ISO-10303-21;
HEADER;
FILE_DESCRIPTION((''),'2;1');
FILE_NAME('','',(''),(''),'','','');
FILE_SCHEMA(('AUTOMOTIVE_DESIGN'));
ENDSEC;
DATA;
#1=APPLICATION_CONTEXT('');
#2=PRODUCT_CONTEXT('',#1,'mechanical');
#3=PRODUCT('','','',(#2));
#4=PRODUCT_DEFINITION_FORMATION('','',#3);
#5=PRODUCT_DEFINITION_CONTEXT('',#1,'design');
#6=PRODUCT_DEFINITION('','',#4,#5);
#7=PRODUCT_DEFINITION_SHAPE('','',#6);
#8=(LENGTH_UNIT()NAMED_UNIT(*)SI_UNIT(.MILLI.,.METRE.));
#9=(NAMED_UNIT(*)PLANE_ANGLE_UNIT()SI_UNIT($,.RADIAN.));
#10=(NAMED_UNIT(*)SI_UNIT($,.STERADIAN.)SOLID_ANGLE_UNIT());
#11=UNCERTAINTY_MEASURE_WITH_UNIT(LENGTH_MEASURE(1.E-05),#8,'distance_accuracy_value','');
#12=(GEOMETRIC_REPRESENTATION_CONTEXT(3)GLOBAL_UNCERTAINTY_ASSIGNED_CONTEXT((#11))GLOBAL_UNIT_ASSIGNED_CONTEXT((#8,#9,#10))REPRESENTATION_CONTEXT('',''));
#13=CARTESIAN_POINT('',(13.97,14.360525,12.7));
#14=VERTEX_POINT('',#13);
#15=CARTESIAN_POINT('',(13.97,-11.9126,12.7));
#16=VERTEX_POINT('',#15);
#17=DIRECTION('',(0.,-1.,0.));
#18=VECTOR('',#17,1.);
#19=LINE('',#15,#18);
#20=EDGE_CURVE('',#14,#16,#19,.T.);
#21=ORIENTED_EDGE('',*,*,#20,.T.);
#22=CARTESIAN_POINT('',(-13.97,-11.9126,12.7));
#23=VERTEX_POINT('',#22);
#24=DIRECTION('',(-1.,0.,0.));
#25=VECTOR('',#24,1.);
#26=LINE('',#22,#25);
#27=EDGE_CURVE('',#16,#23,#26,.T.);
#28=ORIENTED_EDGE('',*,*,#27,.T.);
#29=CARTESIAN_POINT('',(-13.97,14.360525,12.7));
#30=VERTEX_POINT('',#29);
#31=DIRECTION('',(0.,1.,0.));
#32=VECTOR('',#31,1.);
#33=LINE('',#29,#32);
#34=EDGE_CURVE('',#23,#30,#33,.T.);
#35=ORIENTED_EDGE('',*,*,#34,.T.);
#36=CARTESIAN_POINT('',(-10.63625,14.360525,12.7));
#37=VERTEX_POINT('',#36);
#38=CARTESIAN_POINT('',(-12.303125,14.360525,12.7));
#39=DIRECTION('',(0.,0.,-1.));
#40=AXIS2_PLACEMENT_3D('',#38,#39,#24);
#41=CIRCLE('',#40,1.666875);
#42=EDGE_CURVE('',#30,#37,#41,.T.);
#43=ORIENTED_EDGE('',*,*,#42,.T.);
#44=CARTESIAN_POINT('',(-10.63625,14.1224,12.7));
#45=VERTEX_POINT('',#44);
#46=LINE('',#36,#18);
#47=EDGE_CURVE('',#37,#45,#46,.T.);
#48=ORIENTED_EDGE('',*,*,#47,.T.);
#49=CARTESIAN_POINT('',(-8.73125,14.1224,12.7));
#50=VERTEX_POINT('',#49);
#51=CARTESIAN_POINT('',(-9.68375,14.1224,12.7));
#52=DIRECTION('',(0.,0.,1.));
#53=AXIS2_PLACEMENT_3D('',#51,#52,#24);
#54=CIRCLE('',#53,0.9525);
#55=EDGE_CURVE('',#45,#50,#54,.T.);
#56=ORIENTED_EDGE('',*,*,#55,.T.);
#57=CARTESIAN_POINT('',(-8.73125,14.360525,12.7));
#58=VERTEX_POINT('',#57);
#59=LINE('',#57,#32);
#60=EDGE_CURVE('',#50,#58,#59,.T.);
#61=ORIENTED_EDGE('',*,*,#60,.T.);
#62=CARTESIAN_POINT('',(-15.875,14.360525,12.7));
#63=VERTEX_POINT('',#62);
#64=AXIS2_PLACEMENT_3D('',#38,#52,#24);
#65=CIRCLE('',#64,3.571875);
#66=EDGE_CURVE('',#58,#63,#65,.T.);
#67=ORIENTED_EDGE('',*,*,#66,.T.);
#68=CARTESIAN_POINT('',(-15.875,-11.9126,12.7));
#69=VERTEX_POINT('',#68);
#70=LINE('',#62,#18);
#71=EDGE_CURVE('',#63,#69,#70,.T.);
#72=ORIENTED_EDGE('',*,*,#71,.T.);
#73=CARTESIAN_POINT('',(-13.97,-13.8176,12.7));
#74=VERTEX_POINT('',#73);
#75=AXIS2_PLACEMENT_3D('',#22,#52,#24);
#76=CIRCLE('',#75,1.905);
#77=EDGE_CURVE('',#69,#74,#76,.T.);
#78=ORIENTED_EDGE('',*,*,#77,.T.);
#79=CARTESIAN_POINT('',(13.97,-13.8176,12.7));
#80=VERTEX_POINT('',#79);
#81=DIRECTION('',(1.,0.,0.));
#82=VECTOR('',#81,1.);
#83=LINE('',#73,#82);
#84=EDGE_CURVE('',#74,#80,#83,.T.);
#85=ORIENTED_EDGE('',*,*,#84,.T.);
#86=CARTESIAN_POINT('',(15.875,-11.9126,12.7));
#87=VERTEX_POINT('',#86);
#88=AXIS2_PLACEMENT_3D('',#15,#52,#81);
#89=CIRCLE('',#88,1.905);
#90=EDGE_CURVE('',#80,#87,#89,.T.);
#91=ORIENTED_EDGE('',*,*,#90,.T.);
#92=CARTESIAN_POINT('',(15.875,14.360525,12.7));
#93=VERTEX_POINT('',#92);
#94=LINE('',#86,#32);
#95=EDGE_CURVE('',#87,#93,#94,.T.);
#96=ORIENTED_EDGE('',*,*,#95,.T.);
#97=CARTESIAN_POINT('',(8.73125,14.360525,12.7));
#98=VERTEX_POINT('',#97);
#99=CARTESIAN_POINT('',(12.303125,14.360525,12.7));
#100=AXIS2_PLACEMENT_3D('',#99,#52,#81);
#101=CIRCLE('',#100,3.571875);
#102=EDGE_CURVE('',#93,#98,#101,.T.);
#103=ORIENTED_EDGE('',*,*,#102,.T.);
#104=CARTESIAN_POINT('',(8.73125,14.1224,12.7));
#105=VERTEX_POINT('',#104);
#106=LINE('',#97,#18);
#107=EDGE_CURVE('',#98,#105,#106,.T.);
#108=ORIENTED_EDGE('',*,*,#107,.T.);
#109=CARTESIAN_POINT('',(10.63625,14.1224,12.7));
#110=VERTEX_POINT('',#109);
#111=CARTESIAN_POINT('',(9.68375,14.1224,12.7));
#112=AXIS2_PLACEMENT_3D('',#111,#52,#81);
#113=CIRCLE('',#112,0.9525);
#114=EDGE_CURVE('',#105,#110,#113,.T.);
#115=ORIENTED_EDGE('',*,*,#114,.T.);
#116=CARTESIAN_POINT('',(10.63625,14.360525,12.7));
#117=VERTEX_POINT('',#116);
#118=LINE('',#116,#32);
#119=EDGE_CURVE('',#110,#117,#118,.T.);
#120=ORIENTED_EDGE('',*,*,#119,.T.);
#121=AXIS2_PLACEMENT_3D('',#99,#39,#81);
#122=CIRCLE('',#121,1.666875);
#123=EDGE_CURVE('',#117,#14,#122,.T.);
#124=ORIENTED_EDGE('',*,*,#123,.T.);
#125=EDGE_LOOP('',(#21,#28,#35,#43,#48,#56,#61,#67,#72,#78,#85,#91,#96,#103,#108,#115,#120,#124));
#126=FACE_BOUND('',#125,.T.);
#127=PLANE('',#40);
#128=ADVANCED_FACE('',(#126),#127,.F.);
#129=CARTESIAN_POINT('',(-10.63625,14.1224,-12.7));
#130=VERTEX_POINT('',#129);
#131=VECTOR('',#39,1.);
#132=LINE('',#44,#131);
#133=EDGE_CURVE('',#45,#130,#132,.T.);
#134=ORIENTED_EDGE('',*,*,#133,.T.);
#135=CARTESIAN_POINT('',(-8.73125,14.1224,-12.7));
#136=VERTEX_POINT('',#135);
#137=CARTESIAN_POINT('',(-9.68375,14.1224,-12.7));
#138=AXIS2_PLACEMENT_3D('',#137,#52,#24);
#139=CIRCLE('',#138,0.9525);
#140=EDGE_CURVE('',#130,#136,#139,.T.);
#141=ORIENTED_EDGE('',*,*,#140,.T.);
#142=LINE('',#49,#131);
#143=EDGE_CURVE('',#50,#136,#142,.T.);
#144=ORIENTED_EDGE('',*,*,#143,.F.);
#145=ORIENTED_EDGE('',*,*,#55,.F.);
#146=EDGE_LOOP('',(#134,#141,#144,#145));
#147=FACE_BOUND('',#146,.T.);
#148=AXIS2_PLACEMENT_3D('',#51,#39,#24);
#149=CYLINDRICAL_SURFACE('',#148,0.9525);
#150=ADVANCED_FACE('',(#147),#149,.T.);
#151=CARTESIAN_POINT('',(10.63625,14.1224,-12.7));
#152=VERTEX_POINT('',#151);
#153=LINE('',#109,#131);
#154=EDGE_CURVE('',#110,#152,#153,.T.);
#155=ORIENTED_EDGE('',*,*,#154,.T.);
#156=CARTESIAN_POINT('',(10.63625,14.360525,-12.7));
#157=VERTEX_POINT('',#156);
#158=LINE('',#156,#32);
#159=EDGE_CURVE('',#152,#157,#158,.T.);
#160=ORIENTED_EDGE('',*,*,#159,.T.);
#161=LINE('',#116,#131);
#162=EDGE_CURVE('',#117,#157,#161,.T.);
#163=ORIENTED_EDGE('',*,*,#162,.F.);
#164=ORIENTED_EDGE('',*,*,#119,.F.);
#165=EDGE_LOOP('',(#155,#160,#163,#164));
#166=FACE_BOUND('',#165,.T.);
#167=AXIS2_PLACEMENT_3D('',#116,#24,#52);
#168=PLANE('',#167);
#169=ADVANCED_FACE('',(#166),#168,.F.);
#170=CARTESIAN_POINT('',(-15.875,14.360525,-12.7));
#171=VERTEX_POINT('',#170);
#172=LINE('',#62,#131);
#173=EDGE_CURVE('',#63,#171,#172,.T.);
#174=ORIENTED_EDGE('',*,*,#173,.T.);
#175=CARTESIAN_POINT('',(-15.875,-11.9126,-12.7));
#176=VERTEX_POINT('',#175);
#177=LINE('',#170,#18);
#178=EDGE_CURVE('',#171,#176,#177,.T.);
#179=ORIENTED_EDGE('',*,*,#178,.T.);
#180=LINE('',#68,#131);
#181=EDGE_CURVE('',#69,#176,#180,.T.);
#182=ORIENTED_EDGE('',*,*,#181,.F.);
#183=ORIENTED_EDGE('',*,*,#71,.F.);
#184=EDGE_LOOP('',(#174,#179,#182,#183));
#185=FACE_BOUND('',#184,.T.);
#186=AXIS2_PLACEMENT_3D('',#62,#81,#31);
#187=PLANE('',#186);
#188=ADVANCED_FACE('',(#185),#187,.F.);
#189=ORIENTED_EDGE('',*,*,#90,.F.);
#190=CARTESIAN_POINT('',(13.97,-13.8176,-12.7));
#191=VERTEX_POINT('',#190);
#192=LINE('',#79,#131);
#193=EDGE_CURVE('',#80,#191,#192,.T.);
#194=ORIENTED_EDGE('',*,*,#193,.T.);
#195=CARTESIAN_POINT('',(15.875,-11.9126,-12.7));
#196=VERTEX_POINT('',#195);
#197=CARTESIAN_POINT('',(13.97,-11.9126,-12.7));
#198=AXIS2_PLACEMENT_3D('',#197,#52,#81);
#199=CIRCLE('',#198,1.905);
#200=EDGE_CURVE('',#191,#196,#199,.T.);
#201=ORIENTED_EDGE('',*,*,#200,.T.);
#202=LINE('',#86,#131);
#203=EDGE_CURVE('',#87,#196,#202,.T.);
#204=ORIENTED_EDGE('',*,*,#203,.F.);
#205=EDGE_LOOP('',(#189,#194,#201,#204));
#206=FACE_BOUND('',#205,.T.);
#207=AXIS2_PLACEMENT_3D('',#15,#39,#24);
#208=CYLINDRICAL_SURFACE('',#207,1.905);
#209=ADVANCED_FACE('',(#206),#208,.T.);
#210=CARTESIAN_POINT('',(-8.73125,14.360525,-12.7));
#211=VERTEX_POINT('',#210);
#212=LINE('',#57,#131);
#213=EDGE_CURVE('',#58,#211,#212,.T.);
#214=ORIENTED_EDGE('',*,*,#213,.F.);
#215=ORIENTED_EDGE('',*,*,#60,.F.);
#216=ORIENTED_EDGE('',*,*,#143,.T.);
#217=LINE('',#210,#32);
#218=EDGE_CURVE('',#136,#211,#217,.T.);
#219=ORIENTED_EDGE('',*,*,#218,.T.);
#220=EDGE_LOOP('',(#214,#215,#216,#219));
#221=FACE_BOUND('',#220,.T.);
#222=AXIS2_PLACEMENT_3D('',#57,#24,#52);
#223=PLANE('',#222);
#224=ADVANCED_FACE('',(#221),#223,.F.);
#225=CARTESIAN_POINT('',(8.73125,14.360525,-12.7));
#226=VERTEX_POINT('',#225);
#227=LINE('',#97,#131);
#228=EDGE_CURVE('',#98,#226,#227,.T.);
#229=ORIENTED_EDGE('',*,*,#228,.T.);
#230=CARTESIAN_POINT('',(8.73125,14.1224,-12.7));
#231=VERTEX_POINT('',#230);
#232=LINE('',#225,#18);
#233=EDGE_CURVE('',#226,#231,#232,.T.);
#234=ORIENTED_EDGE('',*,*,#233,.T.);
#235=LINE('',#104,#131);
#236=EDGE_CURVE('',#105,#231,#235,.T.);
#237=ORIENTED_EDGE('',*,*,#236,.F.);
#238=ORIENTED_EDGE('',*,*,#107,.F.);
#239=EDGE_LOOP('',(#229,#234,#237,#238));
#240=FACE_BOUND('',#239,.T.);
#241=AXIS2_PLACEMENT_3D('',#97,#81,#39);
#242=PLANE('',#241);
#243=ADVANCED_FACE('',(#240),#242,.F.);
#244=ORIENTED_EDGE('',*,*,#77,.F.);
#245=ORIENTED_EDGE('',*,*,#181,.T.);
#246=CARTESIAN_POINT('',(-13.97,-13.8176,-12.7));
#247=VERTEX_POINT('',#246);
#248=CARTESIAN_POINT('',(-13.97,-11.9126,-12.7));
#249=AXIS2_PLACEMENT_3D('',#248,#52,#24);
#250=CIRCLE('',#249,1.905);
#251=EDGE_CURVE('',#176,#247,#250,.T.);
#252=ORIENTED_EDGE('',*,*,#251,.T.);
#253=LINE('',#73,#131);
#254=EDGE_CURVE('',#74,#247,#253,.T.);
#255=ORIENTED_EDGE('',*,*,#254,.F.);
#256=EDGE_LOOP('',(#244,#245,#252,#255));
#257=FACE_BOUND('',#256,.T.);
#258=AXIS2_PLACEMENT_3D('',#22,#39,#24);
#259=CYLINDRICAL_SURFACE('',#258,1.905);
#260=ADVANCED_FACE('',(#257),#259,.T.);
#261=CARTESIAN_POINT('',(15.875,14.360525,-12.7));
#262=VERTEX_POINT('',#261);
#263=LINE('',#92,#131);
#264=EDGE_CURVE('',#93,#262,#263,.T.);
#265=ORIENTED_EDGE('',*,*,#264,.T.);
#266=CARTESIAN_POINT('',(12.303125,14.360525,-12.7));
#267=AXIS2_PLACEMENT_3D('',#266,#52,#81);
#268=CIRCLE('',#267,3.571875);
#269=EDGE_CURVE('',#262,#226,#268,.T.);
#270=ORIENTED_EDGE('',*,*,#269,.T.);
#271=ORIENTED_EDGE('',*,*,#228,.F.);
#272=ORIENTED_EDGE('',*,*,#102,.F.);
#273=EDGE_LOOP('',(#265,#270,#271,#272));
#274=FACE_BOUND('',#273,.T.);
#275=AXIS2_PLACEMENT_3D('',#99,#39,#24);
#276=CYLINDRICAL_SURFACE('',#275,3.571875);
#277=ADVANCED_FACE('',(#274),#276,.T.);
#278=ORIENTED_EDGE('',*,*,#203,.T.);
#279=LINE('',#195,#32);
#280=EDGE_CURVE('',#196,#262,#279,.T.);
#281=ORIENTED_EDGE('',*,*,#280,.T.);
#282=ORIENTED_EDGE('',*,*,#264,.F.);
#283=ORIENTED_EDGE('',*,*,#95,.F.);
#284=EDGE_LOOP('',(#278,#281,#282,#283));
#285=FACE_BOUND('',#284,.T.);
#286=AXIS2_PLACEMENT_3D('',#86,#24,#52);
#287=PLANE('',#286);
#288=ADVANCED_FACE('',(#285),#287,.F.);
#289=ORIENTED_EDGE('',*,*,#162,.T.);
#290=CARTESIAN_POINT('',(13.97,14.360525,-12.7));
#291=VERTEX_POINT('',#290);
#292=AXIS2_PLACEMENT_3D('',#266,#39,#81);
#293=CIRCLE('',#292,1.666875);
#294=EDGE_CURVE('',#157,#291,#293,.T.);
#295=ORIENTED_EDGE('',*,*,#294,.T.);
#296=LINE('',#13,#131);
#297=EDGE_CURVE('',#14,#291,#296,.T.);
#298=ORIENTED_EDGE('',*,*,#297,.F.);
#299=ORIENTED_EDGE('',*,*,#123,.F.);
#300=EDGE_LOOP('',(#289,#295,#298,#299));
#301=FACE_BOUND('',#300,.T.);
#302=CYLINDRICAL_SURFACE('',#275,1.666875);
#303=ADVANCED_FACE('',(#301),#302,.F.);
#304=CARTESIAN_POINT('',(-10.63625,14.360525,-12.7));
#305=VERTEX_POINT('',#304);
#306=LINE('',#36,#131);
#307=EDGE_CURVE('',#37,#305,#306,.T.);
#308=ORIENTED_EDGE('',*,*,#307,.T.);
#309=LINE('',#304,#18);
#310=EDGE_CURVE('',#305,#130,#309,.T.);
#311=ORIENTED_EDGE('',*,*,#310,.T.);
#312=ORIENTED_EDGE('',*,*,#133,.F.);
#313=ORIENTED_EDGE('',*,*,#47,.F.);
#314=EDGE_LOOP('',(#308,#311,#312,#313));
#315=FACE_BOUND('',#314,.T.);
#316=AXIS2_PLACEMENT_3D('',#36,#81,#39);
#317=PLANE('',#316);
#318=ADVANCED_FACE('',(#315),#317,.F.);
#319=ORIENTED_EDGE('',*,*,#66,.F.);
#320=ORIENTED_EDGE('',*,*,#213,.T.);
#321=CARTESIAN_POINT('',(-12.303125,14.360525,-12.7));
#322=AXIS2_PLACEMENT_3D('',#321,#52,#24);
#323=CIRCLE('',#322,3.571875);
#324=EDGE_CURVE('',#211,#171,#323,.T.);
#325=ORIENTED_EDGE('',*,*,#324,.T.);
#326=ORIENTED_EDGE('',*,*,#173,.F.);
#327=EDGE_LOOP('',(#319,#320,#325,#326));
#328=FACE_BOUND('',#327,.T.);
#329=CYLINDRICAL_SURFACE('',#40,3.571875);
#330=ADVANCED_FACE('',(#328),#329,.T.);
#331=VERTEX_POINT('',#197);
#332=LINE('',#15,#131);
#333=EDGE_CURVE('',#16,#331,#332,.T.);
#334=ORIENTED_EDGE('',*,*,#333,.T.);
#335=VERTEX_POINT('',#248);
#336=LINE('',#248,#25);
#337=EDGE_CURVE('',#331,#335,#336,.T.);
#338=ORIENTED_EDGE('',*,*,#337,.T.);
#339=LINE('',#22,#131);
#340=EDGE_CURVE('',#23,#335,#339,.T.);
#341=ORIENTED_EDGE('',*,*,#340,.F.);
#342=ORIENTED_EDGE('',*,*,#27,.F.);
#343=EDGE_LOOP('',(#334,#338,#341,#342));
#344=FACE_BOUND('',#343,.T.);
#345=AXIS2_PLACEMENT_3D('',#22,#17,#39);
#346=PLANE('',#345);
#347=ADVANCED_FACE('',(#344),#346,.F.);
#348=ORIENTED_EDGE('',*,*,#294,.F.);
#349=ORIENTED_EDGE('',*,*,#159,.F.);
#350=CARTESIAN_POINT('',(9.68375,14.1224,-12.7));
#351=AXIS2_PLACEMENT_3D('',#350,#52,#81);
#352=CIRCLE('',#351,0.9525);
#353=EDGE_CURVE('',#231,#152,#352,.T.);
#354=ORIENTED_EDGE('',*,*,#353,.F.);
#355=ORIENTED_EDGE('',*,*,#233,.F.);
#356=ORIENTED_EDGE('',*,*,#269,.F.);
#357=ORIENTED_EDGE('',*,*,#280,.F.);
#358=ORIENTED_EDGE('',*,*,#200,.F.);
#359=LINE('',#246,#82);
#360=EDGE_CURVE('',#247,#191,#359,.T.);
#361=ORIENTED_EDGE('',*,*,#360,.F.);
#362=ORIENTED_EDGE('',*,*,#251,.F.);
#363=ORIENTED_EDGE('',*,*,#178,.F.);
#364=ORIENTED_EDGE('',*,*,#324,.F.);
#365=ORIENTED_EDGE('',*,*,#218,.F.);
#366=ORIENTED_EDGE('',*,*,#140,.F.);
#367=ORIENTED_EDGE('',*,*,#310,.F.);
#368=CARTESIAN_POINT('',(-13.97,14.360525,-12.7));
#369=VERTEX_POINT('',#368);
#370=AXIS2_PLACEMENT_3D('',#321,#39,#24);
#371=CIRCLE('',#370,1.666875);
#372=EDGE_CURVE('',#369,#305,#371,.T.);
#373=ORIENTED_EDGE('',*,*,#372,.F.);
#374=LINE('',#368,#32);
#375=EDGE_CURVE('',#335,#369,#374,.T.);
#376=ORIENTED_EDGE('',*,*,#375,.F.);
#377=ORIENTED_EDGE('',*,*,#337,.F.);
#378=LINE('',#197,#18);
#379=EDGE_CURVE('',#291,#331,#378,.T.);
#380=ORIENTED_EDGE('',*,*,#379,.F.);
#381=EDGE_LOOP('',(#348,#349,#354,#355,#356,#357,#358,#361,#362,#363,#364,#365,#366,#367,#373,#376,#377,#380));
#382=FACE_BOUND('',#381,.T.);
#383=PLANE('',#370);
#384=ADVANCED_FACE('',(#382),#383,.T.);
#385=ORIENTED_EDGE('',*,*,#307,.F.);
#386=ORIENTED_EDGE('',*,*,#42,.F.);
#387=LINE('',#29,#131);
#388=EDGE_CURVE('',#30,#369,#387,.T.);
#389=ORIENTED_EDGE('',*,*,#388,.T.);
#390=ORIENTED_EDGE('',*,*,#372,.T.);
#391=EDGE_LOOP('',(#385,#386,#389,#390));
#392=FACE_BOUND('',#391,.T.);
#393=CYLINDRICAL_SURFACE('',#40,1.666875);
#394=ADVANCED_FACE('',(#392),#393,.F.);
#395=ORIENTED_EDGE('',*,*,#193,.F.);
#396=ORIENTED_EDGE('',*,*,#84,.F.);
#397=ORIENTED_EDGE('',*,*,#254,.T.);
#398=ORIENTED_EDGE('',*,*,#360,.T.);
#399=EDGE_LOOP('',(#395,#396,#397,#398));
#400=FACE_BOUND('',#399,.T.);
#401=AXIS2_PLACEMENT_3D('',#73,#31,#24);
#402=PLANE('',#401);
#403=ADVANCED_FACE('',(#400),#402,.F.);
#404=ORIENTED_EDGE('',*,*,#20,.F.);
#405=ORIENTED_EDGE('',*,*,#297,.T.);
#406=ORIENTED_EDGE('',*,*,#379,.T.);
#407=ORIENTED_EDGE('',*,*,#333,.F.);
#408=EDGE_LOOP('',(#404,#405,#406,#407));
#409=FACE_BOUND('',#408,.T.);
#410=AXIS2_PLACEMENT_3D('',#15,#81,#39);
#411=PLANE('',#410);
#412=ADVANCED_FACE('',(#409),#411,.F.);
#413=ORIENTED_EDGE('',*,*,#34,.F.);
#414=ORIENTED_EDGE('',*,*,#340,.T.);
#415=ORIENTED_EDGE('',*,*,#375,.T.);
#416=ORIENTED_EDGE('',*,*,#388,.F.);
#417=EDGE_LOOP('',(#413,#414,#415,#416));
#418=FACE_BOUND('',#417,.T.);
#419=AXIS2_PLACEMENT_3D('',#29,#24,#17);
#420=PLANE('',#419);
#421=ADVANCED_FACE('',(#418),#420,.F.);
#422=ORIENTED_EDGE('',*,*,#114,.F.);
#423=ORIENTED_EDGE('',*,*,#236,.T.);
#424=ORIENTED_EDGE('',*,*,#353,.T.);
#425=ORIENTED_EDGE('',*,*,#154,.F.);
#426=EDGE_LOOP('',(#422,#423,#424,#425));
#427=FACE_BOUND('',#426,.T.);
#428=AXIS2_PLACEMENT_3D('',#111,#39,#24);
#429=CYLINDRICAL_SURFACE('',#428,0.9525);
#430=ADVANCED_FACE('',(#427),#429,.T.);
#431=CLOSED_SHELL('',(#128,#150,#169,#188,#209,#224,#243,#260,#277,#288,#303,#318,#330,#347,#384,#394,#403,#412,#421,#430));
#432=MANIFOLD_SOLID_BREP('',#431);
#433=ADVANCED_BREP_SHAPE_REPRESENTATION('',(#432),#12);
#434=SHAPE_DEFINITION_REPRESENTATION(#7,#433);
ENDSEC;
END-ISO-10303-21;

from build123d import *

# Parameters (mm, degrees)
BASE_EXTRUDE_DEPTH = 12.7


with BuildPart() as part:
    # Sketch1 → Base-Extrude (new, symmetric)
    with BuildSketch(Plane.XY):
        with BuildLine():
            Line((-15.875, 14.360525), (-15.875, -11.9126))
            ThreePointArc((-15.875, -11.9126), (-15.317038418, -13.259638418), (-13.97, -13.8176))
            Line((-13.97, -13.8176), (13.97, -13.8176))
            ThreePointArc((13.97, -13.8176), (15.317038418, -13.259638418), (15.875, -11.9126))
            Line((15.875, -11.9126), (15.875, 14.360525))
            ThreePointArc((15.875, 14.360525), (12.303125, 17.9324), (8.73125, 14.360525))
            Line((8.73125, 14.360525), (8.73125, 14.1224))
            ThreePointArc((8.73125, 14.1224), (9.68375, 13.1699), (10.63625, 14.1224))
            Line((10.63625, 14.1224), (10.63625, 14.360525))
            ThreePointArc((10.63625, 14.360525), (12.303125, 16.0274), (13.97, 14.360525))
            Line((13.97, 14.360525), (13.97, -11.9126))
            Line((13.97, -11.9126), (-13.97, -11.9126))
            Line((-13.97, -11.9126), (-13.97, 14.360525))
            ThreePointArc((-13.97, 14.360525), (-12.303125, 16.0274), (-10.63625, 14.360525))
            Line((-10.63625, 14.360525), (-10.63625, 14.1224))
            ThreePointArc((-10.63625, 14.1224), (-9.68375, 13.1699), (-8.73125, 14.1224))
            Line((-8.73125, 14.1224), (-8.73125, 14.360525))
            ThreePointArc((-8.73125, 14.360525), (-12.303125, 17.9324), (-15.875, 14.360525))
        make_face()
    extrude(amount=BASE_EXTRUDE_DEPTH, both=True)


solid = part.part
